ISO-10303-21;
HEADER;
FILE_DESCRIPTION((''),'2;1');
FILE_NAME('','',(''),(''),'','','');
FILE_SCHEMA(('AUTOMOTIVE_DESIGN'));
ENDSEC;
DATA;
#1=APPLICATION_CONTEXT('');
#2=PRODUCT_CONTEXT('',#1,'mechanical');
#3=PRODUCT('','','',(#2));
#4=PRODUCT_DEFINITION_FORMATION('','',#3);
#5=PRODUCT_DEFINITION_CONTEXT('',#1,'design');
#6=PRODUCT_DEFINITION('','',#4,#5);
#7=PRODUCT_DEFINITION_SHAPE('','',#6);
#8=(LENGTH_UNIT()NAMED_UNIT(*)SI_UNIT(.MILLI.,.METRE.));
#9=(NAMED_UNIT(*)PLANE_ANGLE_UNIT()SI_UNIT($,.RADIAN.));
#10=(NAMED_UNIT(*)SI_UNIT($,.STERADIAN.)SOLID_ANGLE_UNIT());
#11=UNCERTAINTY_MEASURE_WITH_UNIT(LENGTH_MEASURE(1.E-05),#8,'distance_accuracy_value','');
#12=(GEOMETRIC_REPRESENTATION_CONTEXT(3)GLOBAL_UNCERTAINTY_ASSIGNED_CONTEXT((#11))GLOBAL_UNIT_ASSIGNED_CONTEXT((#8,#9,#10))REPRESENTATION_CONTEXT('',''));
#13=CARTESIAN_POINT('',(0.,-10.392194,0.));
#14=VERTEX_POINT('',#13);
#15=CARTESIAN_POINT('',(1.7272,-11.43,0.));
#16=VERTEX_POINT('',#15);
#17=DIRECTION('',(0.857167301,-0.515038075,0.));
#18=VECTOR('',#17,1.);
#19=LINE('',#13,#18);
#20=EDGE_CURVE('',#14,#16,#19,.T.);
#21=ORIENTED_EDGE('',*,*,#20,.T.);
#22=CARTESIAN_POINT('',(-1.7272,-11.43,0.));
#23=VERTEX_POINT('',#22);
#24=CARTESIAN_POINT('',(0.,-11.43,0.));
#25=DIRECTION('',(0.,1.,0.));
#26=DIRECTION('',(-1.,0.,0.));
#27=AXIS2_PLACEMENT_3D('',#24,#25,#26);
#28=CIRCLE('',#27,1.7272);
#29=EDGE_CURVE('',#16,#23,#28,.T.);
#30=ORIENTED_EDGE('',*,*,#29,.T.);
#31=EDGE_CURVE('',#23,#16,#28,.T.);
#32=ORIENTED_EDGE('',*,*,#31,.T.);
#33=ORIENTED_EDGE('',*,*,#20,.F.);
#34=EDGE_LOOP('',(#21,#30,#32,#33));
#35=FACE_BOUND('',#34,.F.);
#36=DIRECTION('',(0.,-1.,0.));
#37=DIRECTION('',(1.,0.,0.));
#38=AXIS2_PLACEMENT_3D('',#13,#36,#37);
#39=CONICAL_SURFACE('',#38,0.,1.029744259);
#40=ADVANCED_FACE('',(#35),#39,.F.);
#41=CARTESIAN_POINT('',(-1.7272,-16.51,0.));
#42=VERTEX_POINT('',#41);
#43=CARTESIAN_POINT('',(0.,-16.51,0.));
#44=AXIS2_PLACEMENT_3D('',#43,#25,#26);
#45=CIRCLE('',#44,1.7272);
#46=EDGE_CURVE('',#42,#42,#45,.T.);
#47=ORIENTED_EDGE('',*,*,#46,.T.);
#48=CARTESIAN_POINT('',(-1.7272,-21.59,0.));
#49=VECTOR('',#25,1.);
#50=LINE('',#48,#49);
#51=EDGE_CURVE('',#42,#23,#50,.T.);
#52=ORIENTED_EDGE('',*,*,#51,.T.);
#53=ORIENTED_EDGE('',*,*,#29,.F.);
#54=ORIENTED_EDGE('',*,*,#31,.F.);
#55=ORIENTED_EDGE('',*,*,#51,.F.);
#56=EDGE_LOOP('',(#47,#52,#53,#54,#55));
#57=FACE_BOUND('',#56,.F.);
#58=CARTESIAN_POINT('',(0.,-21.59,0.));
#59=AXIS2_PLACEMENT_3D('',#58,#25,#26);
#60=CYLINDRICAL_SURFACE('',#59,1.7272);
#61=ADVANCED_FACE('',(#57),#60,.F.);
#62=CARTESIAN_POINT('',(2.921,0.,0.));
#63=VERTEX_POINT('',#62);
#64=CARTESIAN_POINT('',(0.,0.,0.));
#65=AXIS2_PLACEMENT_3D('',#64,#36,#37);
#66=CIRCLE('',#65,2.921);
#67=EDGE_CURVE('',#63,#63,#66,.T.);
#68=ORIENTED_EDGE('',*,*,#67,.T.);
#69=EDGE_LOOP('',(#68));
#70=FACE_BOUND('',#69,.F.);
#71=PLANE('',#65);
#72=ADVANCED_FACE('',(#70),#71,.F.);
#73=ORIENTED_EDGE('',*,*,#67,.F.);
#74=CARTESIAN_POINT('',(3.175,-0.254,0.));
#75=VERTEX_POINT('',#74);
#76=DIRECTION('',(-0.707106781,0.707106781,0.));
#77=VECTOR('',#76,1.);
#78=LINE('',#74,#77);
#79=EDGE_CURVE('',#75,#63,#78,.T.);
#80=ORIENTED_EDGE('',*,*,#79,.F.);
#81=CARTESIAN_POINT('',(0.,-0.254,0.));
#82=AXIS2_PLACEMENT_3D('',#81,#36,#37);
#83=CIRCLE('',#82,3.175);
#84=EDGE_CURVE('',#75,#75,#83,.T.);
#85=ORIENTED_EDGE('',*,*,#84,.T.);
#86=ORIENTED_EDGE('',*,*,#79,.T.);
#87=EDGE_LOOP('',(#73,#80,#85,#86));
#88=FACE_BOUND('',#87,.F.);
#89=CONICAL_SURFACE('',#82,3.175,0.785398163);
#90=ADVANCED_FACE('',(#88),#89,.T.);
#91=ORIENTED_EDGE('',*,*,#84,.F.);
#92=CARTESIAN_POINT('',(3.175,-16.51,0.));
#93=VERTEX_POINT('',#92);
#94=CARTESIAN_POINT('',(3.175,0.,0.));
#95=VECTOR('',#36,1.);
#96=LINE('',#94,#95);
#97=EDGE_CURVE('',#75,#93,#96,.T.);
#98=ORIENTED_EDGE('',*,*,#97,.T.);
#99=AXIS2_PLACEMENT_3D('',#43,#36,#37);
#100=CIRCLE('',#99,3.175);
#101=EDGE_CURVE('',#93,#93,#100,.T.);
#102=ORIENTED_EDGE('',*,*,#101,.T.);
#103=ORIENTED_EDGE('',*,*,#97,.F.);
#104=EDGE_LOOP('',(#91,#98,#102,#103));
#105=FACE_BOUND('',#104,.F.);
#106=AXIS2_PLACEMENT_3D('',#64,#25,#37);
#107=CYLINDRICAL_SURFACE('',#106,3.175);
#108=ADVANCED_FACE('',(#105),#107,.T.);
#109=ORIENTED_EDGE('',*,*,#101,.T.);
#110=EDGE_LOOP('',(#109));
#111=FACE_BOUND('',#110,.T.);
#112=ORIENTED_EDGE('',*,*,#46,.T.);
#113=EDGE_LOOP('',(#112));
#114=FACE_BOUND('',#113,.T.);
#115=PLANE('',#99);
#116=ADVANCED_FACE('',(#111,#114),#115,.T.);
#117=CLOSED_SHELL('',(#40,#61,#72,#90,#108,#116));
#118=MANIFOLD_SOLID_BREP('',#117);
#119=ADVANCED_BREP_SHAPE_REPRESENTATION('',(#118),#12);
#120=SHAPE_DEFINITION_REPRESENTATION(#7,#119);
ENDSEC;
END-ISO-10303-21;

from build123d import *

# Parameters (mm, degrees)
F0_R     = 3.175
F1_DEPTH = 16.51
F3_D     = 3.4544
F3_DEPTH = 5.08
F3_TIP   = 1.0378064612
F4_SIZE  = 0.254


with BuildPart() as f1:
    # F0 (on Front) → F1 (new body)
    with BuildSketch(Plane.XZ):
        Circle(F0_R)
    extrude(amount=F1_DEPTH)

    # F3
    with Locations(Plane.XZ.offset(16.51)):
        with Locations((0, 0)):
            Hole(F3_D / 2, depth=F3_DEPTH)
            with Locations((0, 0, -(F3_DEPTH + F3_TIP / 2))):  # 118° drill point
                Cone(0, F3_D / 2, F3_TIP, mode=Mode.SUBTRACT)

    # F4
    f4_edges = [f1.edges().sort_by_distance(p)[0] for p in [
        (-3.175, 0, 0),
    ]]
    chamfer(f4_edges, length=F4_SIZE)


solid = f1.part
